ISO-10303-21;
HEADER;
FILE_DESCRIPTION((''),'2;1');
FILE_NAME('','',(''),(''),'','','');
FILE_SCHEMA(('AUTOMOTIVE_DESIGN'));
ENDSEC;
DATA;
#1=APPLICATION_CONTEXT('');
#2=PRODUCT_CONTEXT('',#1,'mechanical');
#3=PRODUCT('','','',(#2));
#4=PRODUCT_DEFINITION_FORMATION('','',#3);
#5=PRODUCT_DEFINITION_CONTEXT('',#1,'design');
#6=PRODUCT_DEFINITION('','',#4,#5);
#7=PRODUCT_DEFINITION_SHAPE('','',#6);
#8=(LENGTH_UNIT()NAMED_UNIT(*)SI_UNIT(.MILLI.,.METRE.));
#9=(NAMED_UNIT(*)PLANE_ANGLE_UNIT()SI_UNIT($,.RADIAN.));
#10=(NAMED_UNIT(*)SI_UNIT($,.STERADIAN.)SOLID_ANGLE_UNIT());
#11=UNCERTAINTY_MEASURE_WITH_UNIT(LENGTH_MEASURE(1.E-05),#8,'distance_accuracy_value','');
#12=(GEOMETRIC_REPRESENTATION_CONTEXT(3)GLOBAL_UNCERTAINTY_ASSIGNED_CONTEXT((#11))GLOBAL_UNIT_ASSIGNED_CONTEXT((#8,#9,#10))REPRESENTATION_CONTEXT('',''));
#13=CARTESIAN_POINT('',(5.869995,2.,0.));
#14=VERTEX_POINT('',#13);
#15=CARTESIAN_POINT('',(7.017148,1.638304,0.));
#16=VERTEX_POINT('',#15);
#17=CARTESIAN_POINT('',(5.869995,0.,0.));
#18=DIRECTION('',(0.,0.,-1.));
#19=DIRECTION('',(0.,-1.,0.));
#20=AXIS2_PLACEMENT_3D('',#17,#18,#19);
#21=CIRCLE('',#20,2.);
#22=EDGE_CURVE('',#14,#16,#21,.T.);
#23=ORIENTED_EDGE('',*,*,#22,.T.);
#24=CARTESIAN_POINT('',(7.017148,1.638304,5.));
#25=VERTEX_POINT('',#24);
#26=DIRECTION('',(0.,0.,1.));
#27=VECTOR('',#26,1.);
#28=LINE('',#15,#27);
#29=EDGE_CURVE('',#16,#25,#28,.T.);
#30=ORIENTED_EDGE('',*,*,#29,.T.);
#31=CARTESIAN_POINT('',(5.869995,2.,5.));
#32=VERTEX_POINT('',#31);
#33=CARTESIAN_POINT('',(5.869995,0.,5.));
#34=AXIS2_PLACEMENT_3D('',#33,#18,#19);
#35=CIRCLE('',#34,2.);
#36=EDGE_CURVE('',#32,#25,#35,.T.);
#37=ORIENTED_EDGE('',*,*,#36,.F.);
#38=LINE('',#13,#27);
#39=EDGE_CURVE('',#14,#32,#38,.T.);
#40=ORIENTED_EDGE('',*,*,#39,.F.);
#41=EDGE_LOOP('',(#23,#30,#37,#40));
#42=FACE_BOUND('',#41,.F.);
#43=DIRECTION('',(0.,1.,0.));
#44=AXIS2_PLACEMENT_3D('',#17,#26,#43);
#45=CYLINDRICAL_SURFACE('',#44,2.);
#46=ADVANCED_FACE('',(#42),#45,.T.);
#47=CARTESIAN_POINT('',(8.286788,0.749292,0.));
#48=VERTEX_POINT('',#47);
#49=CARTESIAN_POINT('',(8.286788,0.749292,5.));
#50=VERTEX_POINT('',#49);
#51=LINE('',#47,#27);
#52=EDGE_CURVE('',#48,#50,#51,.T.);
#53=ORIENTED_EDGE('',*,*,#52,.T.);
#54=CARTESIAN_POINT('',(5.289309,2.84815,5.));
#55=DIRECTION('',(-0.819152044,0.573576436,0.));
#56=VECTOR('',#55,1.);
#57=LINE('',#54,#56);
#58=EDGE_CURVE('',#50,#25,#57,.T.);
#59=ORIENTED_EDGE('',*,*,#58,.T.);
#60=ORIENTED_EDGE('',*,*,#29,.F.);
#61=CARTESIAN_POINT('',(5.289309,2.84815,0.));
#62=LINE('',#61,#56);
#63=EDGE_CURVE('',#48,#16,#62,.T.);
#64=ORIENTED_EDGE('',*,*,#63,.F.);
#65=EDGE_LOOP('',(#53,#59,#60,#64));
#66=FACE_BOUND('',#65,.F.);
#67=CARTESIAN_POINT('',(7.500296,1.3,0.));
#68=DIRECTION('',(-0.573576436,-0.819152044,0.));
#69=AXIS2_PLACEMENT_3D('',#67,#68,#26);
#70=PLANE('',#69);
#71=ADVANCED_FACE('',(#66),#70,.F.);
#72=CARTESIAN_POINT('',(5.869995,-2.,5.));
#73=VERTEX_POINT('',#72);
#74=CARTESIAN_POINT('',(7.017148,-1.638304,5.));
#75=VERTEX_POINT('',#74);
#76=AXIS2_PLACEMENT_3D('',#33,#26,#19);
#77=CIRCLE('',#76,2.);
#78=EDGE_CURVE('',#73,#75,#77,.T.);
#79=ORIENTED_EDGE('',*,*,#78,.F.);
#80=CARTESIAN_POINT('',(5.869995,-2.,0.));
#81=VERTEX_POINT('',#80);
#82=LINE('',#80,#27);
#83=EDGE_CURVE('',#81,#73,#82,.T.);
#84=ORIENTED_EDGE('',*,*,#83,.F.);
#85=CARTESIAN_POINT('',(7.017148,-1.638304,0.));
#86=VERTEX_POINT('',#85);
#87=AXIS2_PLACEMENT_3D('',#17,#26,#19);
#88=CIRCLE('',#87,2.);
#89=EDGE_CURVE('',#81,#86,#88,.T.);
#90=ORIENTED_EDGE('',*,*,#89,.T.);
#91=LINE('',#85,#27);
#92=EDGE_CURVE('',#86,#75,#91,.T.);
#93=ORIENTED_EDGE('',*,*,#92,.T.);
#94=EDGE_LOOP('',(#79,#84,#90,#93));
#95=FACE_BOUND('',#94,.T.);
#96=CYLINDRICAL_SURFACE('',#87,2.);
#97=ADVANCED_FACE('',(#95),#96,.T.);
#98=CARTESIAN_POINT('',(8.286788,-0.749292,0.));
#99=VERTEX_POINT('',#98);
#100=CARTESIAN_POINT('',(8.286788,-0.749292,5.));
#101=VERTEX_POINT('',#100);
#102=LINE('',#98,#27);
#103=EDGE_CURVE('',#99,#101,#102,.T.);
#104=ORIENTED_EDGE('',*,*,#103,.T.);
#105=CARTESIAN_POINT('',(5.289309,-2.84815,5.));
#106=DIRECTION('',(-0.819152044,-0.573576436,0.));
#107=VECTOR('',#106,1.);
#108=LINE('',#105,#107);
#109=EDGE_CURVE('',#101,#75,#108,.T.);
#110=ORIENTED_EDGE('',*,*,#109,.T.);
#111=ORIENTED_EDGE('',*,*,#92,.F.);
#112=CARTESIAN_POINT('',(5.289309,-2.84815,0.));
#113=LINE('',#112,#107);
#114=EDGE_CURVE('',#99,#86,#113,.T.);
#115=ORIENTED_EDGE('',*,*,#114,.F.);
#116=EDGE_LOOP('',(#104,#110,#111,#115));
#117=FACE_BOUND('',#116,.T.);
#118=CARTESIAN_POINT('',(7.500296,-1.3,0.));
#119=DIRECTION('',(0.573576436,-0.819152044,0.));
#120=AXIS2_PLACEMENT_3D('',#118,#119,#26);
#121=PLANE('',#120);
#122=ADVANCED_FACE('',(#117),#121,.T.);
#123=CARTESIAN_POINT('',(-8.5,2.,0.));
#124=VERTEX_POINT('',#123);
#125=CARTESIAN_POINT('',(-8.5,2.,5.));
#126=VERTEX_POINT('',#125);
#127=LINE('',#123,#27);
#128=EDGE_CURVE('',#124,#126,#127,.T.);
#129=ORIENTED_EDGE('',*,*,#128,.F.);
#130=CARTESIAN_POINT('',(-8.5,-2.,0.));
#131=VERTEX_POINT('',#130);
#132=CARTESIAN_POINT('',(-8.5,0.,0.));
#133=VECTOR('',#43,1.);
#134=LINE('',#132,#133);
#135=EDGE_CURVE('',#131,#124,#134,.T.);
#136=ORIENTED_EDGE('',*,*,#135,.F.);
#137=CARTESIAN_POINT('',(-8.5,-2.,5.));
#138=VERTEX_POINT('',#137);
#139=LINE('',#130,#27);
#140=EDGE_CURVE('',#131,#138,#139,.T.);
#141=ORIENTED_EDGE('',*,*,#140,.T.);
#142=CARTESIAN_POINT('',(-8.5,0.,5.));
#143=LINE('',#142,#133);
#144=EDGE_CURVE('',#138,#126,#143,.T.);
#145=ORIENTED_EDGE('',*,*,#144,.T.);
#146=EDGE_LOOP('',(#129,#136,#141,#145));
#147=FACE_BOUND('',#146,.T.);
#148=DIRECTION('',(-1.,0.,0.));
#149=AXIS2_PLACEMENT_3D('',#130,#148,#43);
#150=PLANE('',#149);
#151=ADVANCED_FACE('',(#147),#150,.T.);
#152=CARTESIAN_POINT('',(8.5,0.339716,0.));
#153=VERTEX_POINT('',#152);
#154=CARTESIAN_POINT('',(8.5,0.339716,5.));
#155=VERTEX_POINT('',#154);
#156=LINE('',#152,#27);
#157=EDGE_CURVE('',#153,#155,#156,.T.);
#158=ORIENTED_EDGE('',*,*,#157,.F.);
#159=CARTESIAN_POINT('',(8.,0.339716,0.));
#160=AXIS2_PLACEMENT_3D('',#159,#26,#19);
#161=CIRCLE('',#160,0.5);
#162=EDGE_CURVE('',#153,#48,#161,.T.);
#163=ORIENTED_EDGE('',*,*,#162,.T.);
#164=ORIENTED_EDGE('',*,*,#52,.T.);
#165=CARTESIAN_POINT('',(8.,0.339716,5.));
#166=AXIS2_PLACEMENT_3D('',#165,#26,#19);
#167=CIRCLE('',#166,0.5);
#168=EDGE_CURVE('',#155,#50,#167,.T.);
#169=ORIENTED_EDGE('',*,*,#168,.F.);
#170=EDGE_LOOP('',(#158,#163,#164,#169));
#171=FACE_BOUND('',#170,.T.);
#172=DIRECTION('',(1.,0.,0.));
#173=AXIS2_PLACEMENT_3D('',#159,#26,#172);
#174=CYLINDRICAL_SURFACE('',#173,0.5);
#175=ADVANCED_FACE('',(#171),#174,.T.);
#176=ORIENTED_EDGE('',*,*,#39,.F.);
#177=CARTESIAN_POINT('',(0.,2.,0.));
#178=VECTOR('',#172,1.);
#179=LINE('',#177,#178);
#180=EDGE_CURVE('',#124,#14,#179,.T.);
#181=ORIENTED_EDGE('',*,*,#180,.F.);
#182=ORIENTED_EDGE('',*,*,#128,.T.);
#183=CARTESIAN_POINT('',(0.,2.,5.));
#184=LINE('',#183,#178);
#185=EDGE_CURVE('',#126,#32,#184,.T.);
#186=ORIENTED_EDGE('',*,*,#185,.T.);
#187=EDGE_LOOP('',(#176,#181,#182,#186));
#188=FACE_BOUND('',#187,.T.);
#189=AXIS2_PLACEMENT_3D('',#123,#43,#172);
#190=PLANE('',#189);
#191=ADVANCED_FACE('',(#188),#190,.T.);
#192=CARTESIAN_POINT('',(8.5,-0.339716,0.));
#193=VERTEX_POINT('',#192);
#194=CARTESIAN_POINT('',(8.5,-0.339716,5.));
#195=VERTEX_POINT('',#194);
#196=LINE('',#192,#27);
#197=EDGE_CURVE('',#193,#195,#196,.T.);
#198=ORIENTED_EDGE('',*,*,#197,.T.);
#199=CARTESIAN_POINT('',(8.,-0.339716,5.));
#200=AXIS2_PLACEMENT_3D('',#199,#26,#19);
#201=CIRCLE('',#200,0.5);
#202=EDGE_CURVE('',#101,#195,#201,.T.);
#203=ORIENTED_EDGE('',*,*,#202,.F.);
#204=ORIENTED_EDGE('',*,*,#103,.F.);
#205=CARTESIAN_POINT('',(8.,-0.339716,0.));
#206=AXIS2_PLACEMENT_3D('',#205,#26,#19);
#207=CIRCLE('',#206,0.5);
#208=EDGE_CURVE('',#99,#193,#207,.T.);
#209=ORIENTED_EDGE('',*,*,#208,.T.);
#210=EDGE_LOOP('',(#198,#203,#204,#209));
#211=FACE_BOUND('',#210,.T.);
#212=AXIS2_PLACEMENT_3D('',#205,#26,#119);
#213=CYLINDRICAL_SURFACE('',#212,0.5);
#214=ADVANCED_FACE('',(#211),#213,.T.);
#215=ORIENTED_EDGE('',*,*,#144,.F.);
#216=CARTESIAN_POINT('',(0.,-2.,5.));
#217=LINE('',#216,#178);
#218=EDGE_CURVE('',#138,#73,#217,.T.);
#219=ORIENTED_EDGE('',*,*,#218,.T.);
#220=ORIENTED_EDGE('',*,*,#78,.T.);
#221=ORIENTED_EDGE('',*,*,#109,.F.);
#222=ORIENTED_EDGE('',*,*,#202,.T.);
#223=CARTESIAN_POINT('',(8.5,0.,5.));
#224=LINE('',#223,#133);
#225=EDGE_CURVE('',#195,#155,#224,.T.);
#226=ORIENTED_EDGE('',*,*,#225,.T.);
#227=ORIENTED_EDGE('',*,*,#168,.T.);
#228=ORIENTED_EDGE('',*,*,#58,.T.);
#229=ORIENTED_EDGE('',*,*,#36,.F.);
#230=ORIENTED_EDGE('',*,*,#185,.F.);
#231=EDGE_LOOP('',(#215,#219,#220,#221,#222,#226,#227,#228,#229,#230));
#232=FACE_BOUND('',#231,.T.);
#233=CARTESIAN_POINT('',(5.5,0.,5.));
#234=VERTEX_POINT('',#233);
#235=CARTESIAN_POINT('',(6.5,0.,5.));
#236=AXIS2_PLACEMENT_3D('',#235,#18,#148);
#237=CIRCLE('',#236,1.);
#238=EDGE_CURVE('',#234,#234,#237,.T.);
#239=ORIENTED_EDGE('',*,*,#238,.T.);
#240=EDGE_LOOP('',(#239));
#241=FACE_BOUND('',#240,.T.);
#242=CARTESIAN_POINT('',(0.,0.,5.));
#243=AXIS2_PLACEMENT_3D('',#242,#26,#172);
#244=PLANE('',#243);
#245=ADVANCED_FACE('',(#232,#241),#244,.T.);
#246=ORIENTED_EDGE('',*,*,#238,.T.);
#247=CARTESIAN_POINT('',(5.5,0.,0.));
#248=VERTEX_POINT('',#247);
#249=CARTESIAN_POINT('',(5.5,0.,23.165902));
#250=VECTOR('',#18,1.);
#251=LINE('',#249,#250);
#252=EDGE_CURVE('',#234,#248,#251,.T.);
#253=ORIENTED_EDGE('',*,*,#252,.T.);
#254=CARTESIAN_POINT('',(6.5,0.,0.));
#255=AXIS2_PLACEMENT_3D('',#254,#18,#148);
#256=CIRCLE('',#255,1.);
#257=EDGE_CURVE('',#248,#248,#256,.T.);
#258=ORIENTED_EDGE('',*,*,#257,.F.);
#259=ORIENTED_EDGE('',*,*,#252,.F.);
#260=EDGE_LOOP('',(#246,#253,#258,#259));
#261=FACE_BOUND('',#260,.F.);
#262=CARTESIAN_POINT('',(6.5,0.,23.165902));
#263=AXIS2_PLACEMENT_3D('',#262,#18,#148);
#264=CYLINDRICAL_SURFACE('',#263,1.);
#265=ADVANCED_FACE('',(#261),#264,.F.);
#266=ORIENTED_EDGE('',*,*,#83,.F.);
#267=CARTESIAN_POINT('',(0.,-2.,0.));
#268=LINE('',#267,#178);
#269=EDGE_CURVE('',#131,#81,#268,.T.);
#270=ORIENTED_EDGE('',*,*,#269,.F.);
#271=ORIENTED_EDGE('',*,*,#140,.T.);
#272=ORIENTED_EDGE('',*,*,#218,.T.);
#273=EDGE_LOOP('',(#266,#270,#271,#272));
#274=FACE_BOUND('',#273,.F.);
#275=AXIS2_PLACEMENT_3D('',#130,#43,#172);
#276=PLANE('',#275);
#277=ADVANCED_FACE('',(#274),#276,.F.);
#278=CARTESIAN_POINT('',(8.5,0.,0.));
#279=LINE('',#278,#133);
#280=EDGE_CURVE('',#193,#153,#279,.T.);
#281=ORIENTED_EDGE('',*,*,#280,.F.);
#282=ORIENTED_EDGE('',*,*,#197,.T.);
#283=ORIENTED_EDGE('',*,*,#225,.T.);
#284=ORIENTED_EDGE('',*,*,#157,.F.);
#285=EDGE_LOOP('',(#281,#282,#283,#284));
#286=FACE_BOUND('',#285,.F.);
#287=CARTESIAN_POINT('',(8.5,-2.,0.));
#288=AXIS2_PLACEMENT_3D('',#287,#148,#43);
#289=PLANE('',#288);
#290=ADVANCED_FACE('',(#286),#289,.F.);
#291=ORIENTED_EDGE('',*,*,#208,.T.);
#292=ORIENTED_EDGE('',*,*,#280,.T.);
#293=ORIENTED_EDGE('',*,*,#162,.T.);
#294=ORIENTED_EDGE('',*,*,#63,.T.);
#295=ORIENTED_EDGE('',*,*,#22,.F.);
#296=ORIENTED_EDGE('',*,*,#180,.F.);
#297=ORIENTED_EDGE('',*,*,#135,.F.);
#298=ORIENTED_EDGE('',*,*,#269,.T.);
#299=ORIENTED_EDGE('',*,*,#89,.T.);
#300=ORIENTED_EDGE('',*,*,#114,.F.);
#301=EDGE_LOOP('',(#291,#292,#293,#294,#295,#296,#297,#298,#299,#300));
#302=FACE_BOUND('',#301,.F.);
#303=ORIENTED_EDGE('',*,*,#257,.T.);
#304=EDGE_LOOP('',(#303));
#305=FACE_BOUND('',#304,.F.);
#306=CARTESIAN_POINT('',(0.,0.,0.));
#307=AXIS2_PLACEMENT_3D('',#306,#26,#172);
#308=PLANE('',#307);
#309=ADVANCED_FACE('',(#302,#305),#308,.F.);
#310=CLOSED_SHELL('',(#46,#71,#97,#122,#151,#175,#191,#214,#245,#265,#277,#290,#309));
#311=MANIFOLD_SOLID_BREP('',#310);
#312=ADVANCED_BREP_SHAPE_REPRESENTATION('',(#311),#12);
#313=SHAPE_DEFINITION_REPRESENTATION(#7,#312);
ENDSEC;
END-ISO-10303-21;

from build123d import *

# Parameters (mm, degrees)
F0_W     = 17
F0_H     = 4
F1_DEPTH = 5
F3_D     = 2
F4_SIZE2 = 1.9994072094
F4_SIZE  = 1.4
F5_R     = 2
F6_R     = 0.5


with BuildPart() as f1:
    # F0 (on Top) → F1 (new body)
    with BuildSketch(Plane.XY):
        Rectangle(F0_W, F0_H)
    extrude(amount=F1_DEPTH)

    # F3 (through all)
    with Locations(Plane.XY.offset(5)):
        with Locations((6.5, 0)):
            Hole(F3_D / 2)

    # F4
    f4_edges = [f1.edges().sort_by_distance(p)[0] for p in [
        (8.5, -2, 2.5),
        (8.5, 2, 2.5),
    ]]
    f4_side = f1.faces().sort_by_distance((8.5, 0, 2.5))[0]
    chamfer(f4_edges, length=F4_SIZE, length2=F4_SIZE2, reference=f4_side)

    # F5
    f5_edges = [f1.edges().sort_by_distance(p)[0] for p in [
        (6.500593, -2, 2.5),
        (6.500593, 2, 2.5),
    ]]
    fillet(f5_edges, radius=F5_R)

    # F6
    f6_edges = [f1.edges().sort_by_distance(p)[0] for p in [
        (8.5, 0.6, 2.5),
        (8.5, -0.6, 2.5),
    ]]
    fillet(f6_edges, radius=F6_R)


solid = f1.part
